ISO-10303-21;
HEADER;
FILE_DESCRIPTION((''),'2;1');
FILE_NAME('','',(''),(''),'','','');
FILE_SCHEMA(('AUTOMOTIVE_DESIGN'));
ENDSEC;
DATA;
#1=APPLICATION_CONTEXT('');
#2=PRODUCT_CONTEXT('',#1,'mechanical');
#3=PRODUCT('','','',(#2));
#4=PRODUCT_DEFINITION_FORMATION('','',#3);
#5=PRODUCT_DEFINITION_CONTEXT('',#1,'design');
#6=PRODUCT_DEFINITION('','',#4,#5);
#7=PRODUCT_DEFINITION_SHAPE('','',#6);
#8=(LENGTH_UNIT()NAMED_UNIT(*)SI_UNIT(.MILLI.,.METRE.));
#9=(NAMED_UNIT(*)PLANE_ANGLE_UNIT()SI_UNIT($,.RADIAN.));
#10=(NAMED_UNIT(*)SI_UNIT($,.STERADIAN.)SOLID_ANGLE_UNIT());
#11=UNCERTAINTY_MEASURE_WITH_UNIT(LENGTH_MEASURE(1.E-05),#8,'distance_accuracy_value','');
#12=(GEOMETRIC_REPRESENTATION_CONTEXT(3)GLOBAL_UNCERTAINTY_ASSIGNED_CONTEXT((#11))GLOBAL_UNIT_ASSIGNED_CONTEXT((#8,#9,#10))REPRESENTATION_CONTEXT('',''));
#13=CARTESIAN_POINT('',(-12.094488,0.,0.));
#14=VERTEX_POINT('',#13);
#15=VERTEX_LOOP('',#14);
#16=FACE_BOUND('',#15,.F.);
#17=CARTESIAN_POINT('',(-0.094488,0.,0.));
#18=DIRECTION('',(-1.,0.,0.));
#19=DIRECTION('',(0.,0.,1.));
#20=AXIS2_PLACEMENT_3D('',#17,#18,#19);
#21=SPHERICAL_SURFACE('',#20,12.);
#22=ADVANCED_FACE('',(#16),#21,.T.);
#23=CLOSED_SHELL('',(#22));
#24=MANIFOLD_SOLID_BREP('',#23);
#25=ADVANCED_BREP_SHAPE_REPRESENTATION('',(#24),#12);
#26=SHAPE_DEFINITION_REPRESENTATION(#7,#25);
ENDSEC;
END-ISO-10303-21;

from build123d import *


with BuildPart() as part:
    # Sketch1 → Revolve1 (revolve)
    with BuildSketch(Plane(origin=(0, 0, 0), x_dir=(1, 0, 0), z_dir=(0, 1, 0))):
        with BuildLine():
            Line((-12.094488189, 0), (11.905511817, 0))
            ThreePointArc((11.905511817, 0), (-0.094488186, -12.000000003), (-12.094488189, 0))
        make_face()
    revolve(axis=Axis((-12.094488189, 0, 0), (1, 0, 0)))


solid = part.part
